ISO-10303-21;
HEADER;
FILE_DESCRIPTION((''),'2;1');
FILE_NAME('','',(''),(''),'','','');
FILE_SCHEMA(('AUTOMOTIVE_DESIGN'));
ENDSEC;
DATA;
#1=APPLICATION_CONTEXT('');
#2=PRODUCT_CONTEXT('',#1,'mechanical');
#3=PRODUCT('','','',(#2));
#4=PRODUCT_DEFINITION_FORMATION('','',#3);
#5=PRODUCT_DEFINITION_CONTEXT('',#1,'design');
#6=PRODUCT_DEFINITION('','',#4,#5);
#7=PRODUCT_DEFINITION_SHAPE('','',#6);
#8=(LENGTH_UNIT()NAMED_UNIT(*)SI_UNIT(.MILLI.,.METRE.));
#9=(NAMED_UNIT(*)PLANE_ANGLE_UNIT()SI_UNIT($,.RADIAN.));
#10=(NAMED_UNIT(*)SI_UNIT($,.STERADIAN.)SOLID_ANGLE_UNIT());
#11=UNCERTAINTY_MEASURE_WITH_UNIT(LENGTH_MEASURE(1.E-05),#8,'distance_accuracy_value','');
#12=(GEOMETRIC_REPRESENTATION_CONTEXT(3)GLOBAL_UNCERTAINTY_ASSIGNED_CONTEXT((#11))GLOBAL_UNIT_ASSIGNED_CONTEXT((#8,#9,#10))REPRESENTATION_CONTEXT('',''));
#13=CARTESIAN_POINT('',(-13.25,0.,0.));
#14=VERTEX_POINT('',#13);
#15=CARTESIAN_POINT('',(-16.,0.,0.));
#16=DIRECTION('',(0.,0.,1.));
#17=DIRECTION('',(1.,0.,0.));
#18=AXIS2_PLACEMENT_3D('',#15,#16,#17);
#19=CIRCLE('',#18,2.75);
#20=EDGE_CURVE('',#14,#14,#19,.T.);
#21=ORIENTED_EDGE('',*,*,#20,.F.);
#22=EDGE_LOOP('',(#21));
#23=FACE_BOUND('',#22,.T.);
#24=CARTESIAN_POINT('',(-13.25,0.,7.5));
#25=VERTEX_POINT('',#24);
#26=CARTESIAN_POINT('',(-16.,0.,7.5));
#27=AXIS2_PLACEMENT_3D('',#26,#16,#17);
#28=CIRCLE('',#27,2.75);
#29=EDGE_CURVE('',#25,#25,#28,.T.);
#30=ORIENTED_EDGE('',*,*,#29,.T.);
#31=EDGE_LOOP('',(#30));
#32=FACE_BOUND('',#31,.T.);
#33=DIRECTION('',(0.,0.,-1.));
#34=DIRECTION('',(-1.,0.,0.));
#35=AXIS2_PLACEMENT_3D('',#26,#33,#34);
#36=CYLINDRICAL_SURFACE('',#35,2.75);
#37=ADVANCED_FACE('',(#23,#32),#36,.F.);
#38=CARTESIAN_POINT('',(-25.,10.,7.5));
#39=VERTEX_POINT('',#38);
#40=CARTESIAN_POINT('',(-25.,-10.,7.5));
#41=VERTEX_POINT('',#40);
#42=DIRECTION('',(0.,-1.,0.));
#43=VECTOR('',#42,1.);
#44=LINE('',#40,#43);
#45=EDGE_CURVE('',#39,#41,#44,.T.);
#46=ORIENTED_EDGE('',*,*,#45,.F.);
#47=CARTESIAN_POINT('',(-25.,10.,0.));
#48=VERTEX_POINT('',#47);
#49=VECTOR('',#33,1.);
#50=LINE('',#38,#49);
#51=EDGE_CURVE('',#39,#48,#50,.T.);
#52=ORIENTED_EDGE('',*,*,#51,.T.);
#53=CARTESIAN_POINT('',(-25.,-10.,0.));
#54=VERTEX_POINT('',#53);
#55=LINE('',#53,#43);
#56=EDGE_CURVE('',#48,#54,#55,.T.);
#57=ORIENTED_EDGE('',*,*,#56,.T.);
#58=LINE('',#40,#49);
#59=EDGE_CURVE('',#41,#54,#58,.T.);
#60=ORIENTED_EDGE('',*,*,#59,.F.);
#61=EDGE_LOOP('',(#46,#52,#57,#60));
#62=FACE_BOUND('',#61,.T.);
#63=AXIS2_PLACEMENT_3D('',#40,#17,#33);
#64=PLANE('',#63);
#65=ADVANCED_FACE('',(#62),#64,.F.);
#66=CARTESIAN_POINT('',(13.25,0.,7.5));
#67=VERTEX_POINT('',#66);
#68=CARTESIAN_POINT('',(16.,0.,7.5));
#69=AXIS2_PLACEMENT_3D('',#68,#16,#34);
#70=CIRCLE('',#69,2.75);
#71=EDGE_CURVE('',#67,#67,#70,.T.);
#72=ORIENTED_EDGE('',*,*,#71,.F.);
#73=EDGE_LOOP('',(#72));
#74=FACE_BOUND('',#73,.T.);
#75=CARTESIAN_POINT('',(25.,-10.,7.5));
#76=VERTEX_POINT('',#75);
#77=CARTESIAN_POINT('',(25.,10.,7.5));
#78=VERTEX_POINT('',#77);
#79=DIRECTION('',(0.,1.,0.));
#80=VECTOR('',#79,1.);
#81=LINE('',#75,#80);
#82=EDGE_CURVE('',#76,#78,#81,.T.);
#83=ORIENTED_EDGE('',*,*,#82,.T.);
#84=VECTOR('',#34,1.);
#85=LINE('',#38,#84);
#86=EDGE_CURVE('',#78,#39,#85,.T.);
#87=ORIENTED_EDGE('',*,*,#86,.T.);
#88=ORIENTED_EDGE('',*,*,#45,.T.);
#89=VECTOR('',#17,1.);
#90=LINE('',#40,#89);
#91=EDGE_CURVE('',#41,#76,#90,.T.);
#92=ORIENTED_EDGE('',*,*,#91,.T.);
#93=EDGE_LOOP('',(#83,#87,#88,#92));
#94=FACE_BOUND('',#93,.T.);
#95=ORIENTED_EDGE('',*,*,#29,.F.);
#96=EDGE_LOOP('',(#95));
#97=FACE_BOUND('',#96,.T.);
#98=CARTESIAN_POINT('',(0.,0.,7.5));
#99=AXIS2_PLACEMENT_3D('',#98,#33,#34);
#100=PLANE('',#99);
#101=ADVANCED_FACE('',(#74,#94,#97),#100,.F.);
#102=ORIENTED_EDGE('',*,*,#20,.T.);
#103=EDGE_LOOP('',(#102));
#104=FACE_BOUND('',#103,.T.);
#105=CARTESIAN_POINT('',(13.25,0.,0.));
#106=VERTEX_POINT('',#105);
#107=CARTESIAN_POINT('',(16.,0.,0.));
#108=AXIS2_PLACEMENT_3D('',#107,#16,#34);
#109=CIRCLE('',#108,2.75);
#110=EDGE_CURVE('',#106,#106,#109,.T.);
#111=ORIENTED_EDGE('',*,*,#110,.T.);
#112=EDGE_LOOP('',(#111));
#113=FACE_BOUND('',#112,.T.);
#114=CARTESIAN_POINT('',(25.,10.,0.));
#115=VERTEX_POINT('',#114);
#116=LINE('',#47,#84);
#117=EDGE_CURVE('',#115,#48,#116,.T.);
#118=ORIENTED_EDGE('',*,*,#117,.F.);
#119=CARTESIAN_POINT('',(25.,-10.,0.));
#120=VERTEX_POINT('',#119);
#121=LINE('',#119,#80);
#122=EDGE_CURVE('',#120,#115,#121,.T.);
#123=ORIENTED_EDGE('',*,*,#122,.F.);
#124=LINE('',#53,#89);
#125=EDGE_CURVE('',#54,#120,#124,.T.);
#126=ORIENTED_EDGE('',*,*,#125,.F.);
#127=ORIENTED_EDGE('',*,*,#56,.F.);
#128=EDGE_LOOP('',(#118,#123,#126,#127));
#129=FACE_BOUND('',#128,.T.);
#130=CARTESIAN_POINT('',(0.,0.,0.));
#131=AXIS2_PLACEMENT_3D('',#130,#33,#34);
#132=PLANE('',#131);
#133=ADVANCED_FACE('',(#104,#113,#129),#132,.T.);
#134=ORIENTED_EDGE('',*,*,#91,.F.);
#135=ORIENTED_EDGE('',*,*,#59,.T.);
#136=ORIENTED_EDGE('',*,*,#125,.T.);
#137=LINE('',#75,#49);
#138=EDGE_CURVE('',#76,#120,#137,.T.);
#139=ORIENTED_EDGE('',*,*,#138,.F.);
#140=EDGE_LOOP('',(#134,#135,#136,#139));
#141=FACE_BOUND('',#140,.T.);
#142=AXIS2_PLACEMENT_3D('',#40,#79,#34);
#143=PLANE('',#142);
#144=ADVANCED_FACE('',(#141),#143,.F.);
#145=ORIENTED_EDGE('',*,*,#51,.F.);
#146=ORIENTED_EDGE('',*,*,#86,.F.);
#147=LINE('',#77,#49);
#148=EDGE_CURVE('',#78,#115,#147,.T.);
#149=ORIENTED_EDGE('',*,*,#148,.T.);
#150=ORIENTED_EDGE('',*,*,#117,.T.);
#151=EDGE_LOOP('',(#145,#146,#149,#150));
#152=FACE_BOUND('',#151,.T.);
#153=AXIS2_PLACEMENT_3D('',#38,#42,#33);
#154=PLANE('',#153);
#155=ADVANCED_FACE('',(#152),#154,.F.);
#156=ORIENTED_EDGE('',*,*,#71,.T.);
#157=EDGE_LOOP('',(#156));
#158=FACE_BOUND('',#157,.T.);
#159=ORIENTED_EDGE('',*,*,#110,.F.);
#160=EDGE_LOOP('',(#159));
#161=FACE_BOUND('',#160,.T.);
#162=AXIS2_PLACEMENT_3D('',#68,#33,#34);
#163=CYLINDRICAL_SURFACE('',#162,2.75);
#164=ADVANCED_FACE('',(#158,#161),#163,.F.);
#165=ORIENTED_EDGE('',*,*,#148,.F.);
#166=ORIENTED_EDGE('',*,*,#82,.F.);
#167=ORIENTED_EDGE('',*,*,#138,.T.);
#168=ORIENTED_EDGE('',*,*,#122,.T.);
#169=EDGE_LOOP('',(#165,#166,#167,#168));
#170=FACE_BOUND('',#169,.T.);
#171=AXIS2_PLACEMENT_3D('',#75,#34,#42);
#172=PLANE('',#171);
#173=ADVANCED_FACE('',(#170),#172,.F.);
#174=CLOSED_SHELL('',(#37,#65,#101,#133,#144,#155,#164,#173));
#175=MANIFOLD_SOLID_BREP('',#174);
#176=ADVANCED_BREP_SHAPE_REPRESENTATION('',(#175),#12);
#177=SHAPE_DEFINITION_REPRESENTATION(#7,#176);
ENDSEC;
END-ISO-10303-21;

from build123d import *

# Parameters (mm, degrees)
SKETCH_1_W      = 50
SKETCH_1_H      = 20
SKETCH_1_R      = 2.75
EXTRUDE_1_DEPTH = 7.5


with BuildPart() as part:
    # 草图1 → 凸台-拉伸1 (new body)
    with BuildSketch(Plane.XY):
        Rectangle(SKETCH_1_W, SKETCH_1_H)
        with Locations((-16, 0)):
            Circle(SKETCH_1_R, mode=Mode.SUBTRACT)
        with Locations(Location((16, 0, 0), (0, 0, 180))):
            Circle(SKETCH_1_R, mode=Mode.SUBTRACT)
    extrude(amount=EXTRUDE_1_DEPTH)


solid = part.part
